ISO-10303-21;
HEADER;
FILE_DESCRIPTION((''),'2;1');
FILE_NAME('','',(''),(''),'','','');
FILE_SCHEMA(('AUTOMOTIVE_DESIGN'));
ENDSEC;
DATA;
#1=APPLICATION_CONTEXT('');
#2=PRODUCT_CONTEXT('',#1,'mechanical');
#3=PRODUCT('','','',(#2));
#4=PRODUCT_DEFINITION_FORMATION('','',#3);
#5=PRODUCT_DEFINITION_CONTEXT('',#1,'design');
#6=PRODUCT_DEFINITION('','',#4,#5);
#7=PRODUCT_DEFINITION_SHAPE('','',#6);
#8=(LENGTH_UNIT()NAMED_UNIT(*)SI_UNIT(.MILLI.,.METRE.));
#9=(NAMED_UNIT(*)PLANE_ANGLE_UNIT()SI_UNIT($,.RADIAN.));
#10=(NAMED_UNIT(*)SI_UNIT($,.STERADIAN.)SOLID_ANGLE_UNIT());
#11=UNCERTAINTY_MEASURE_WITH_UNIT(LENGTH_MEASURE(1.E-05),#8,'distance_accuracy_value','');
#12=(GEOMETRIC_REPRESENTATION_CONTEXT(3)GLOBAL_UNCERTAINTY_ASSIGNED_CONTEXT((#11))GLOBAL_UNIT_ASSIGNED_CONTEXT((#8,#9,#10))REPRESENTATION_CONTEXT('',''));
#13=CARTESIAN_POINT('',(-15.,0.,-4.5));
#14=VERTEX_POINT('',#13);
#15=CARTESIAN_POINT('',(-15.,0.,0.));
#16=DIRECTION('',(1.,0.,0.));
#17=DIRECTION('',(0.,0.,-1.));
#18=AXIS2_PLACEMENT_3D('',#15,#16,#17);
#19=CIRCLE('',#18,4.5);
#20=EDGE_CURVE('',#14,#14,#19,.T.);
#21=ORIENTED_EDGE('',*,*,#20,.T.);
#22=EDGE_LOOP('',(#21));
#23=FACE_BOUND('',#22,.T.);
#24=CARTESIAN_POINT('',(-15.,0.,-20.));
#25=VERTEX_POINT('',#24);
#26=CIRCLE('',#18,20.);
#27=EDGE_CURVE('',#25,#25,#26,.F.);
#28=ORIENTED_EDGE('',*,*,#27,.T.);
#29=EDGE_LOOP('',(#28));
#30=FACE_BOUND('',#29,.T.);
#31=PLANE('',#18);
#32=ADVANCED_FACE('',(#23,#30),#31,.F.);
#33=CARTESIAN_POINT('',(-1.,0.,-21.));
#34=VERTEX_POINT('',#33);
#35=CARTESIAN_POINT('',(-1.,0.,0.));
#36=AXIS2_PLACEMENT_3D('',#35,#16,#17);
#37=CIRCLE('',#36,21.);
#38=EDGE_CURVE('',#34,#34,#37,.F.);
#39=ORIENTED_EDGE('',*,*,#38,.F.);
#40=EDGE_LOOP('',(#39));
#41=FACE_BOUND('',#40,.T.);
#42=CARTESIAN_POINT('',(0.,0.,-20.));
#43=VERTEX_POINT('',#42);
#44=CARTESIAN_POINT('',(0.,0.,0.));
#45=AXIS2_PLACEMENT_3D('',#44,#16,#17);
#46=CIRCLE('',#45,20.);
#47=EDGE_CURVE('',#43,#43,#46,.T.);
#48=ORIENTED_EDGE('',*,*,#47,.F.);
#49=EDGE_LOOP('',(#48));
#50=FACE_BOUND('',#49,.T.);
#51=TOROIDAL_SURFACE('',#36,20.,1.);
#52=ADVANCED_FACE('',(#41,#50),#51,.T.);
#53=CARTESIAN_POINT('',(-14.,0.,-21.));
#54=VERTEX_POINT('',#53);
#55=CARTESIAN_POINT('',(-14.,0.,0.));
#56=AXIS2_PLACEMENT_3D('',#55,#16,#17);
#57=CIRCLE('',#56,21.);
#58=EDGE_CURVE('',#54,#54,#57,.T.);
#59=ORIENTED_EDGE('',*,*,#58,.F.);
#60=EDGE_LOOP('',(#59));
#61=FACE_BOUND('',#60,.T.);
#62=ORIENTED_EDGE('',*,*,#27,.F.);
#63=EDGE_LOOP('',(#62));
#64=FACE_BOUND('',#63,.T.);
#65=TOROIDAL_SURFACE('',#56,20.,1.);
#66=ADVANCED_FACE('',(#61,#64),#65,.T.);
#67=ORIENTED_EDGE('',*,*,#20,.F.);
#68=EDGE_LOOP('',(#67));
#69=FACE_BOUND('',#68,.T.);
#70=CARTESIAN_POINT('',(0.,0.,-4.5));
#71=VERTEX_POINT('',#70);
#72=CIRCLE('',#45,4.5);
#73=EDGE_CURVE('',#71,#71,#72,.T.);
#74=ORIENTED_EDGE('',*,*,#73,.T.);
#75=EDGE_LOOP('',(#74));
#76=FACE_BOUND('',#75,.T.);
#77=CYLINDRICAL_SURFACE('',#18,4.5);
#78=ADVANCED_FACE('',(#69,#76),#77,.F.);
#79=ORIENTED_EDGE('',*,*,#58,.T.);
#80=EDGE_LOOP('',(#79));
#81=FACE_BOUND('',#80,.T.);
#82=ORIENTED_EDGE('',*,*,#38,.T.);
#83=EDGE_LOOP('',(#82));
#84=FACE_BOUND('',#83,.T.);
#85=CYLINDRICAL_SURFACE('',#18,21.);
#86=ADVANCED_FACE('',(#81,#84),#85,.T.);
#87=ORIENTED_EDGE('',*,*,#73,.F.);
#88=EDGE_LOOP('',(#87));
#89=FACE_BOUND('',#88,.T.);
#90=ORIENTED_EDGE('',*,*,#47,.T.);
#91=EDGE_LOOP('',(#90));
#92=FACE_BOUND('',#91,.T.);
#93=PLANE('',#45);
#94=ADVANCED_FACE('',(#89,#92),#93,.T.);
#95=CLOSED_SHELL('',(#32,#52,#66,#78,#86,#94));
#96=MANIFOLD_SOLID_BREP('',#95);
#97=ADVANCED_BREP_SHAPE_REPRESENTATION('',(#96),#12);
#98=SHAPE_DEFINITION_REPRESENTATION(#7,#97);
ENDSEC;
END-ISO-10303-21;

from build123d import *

# Parameters (mm, degrees)
SKETCH1_R           = 21
BOSS_EXTRUDE1_DEPTH = 15
FILLET1_R           = 1
SKETCH2_R           = 4.5
CUT_EXTRUDE1_DEPTH  = 15


with BuildPart() as part:
    # Sketch1 → Boss-Extrude1 (new body)
    with BuildSketch(Plane(origin=(0, 0, 0), x_dir=(0, 0, -1), z_dir=(1, 0, 0))):
        Circle(SKETCH1_R)
    extrude(amount=-BOSS_EXTRUDE1_DEPTH)

    # Fillet1
    fillet1_edges = [part.edges().sort_by_distance(p)[0] for p in [
        (0, 0, 21),
        (-15, 0, 21),
    ]]
    fillet(fillet1_edges, radius=FILLET1_R)

    # Sketch2 → Cut-Extrude1 (cut)
    with BuildSketch(Plane(origin=(0, 0, 0), x_dir=(0, 0, -1), z_dir=(1, 0, 0))):
        Circle(SKETCH2_R)
    extrude(amount=-CUT_EXTRUDE1_DEPTH, mode=Mode.SUBTRACT)


solid = part.part
